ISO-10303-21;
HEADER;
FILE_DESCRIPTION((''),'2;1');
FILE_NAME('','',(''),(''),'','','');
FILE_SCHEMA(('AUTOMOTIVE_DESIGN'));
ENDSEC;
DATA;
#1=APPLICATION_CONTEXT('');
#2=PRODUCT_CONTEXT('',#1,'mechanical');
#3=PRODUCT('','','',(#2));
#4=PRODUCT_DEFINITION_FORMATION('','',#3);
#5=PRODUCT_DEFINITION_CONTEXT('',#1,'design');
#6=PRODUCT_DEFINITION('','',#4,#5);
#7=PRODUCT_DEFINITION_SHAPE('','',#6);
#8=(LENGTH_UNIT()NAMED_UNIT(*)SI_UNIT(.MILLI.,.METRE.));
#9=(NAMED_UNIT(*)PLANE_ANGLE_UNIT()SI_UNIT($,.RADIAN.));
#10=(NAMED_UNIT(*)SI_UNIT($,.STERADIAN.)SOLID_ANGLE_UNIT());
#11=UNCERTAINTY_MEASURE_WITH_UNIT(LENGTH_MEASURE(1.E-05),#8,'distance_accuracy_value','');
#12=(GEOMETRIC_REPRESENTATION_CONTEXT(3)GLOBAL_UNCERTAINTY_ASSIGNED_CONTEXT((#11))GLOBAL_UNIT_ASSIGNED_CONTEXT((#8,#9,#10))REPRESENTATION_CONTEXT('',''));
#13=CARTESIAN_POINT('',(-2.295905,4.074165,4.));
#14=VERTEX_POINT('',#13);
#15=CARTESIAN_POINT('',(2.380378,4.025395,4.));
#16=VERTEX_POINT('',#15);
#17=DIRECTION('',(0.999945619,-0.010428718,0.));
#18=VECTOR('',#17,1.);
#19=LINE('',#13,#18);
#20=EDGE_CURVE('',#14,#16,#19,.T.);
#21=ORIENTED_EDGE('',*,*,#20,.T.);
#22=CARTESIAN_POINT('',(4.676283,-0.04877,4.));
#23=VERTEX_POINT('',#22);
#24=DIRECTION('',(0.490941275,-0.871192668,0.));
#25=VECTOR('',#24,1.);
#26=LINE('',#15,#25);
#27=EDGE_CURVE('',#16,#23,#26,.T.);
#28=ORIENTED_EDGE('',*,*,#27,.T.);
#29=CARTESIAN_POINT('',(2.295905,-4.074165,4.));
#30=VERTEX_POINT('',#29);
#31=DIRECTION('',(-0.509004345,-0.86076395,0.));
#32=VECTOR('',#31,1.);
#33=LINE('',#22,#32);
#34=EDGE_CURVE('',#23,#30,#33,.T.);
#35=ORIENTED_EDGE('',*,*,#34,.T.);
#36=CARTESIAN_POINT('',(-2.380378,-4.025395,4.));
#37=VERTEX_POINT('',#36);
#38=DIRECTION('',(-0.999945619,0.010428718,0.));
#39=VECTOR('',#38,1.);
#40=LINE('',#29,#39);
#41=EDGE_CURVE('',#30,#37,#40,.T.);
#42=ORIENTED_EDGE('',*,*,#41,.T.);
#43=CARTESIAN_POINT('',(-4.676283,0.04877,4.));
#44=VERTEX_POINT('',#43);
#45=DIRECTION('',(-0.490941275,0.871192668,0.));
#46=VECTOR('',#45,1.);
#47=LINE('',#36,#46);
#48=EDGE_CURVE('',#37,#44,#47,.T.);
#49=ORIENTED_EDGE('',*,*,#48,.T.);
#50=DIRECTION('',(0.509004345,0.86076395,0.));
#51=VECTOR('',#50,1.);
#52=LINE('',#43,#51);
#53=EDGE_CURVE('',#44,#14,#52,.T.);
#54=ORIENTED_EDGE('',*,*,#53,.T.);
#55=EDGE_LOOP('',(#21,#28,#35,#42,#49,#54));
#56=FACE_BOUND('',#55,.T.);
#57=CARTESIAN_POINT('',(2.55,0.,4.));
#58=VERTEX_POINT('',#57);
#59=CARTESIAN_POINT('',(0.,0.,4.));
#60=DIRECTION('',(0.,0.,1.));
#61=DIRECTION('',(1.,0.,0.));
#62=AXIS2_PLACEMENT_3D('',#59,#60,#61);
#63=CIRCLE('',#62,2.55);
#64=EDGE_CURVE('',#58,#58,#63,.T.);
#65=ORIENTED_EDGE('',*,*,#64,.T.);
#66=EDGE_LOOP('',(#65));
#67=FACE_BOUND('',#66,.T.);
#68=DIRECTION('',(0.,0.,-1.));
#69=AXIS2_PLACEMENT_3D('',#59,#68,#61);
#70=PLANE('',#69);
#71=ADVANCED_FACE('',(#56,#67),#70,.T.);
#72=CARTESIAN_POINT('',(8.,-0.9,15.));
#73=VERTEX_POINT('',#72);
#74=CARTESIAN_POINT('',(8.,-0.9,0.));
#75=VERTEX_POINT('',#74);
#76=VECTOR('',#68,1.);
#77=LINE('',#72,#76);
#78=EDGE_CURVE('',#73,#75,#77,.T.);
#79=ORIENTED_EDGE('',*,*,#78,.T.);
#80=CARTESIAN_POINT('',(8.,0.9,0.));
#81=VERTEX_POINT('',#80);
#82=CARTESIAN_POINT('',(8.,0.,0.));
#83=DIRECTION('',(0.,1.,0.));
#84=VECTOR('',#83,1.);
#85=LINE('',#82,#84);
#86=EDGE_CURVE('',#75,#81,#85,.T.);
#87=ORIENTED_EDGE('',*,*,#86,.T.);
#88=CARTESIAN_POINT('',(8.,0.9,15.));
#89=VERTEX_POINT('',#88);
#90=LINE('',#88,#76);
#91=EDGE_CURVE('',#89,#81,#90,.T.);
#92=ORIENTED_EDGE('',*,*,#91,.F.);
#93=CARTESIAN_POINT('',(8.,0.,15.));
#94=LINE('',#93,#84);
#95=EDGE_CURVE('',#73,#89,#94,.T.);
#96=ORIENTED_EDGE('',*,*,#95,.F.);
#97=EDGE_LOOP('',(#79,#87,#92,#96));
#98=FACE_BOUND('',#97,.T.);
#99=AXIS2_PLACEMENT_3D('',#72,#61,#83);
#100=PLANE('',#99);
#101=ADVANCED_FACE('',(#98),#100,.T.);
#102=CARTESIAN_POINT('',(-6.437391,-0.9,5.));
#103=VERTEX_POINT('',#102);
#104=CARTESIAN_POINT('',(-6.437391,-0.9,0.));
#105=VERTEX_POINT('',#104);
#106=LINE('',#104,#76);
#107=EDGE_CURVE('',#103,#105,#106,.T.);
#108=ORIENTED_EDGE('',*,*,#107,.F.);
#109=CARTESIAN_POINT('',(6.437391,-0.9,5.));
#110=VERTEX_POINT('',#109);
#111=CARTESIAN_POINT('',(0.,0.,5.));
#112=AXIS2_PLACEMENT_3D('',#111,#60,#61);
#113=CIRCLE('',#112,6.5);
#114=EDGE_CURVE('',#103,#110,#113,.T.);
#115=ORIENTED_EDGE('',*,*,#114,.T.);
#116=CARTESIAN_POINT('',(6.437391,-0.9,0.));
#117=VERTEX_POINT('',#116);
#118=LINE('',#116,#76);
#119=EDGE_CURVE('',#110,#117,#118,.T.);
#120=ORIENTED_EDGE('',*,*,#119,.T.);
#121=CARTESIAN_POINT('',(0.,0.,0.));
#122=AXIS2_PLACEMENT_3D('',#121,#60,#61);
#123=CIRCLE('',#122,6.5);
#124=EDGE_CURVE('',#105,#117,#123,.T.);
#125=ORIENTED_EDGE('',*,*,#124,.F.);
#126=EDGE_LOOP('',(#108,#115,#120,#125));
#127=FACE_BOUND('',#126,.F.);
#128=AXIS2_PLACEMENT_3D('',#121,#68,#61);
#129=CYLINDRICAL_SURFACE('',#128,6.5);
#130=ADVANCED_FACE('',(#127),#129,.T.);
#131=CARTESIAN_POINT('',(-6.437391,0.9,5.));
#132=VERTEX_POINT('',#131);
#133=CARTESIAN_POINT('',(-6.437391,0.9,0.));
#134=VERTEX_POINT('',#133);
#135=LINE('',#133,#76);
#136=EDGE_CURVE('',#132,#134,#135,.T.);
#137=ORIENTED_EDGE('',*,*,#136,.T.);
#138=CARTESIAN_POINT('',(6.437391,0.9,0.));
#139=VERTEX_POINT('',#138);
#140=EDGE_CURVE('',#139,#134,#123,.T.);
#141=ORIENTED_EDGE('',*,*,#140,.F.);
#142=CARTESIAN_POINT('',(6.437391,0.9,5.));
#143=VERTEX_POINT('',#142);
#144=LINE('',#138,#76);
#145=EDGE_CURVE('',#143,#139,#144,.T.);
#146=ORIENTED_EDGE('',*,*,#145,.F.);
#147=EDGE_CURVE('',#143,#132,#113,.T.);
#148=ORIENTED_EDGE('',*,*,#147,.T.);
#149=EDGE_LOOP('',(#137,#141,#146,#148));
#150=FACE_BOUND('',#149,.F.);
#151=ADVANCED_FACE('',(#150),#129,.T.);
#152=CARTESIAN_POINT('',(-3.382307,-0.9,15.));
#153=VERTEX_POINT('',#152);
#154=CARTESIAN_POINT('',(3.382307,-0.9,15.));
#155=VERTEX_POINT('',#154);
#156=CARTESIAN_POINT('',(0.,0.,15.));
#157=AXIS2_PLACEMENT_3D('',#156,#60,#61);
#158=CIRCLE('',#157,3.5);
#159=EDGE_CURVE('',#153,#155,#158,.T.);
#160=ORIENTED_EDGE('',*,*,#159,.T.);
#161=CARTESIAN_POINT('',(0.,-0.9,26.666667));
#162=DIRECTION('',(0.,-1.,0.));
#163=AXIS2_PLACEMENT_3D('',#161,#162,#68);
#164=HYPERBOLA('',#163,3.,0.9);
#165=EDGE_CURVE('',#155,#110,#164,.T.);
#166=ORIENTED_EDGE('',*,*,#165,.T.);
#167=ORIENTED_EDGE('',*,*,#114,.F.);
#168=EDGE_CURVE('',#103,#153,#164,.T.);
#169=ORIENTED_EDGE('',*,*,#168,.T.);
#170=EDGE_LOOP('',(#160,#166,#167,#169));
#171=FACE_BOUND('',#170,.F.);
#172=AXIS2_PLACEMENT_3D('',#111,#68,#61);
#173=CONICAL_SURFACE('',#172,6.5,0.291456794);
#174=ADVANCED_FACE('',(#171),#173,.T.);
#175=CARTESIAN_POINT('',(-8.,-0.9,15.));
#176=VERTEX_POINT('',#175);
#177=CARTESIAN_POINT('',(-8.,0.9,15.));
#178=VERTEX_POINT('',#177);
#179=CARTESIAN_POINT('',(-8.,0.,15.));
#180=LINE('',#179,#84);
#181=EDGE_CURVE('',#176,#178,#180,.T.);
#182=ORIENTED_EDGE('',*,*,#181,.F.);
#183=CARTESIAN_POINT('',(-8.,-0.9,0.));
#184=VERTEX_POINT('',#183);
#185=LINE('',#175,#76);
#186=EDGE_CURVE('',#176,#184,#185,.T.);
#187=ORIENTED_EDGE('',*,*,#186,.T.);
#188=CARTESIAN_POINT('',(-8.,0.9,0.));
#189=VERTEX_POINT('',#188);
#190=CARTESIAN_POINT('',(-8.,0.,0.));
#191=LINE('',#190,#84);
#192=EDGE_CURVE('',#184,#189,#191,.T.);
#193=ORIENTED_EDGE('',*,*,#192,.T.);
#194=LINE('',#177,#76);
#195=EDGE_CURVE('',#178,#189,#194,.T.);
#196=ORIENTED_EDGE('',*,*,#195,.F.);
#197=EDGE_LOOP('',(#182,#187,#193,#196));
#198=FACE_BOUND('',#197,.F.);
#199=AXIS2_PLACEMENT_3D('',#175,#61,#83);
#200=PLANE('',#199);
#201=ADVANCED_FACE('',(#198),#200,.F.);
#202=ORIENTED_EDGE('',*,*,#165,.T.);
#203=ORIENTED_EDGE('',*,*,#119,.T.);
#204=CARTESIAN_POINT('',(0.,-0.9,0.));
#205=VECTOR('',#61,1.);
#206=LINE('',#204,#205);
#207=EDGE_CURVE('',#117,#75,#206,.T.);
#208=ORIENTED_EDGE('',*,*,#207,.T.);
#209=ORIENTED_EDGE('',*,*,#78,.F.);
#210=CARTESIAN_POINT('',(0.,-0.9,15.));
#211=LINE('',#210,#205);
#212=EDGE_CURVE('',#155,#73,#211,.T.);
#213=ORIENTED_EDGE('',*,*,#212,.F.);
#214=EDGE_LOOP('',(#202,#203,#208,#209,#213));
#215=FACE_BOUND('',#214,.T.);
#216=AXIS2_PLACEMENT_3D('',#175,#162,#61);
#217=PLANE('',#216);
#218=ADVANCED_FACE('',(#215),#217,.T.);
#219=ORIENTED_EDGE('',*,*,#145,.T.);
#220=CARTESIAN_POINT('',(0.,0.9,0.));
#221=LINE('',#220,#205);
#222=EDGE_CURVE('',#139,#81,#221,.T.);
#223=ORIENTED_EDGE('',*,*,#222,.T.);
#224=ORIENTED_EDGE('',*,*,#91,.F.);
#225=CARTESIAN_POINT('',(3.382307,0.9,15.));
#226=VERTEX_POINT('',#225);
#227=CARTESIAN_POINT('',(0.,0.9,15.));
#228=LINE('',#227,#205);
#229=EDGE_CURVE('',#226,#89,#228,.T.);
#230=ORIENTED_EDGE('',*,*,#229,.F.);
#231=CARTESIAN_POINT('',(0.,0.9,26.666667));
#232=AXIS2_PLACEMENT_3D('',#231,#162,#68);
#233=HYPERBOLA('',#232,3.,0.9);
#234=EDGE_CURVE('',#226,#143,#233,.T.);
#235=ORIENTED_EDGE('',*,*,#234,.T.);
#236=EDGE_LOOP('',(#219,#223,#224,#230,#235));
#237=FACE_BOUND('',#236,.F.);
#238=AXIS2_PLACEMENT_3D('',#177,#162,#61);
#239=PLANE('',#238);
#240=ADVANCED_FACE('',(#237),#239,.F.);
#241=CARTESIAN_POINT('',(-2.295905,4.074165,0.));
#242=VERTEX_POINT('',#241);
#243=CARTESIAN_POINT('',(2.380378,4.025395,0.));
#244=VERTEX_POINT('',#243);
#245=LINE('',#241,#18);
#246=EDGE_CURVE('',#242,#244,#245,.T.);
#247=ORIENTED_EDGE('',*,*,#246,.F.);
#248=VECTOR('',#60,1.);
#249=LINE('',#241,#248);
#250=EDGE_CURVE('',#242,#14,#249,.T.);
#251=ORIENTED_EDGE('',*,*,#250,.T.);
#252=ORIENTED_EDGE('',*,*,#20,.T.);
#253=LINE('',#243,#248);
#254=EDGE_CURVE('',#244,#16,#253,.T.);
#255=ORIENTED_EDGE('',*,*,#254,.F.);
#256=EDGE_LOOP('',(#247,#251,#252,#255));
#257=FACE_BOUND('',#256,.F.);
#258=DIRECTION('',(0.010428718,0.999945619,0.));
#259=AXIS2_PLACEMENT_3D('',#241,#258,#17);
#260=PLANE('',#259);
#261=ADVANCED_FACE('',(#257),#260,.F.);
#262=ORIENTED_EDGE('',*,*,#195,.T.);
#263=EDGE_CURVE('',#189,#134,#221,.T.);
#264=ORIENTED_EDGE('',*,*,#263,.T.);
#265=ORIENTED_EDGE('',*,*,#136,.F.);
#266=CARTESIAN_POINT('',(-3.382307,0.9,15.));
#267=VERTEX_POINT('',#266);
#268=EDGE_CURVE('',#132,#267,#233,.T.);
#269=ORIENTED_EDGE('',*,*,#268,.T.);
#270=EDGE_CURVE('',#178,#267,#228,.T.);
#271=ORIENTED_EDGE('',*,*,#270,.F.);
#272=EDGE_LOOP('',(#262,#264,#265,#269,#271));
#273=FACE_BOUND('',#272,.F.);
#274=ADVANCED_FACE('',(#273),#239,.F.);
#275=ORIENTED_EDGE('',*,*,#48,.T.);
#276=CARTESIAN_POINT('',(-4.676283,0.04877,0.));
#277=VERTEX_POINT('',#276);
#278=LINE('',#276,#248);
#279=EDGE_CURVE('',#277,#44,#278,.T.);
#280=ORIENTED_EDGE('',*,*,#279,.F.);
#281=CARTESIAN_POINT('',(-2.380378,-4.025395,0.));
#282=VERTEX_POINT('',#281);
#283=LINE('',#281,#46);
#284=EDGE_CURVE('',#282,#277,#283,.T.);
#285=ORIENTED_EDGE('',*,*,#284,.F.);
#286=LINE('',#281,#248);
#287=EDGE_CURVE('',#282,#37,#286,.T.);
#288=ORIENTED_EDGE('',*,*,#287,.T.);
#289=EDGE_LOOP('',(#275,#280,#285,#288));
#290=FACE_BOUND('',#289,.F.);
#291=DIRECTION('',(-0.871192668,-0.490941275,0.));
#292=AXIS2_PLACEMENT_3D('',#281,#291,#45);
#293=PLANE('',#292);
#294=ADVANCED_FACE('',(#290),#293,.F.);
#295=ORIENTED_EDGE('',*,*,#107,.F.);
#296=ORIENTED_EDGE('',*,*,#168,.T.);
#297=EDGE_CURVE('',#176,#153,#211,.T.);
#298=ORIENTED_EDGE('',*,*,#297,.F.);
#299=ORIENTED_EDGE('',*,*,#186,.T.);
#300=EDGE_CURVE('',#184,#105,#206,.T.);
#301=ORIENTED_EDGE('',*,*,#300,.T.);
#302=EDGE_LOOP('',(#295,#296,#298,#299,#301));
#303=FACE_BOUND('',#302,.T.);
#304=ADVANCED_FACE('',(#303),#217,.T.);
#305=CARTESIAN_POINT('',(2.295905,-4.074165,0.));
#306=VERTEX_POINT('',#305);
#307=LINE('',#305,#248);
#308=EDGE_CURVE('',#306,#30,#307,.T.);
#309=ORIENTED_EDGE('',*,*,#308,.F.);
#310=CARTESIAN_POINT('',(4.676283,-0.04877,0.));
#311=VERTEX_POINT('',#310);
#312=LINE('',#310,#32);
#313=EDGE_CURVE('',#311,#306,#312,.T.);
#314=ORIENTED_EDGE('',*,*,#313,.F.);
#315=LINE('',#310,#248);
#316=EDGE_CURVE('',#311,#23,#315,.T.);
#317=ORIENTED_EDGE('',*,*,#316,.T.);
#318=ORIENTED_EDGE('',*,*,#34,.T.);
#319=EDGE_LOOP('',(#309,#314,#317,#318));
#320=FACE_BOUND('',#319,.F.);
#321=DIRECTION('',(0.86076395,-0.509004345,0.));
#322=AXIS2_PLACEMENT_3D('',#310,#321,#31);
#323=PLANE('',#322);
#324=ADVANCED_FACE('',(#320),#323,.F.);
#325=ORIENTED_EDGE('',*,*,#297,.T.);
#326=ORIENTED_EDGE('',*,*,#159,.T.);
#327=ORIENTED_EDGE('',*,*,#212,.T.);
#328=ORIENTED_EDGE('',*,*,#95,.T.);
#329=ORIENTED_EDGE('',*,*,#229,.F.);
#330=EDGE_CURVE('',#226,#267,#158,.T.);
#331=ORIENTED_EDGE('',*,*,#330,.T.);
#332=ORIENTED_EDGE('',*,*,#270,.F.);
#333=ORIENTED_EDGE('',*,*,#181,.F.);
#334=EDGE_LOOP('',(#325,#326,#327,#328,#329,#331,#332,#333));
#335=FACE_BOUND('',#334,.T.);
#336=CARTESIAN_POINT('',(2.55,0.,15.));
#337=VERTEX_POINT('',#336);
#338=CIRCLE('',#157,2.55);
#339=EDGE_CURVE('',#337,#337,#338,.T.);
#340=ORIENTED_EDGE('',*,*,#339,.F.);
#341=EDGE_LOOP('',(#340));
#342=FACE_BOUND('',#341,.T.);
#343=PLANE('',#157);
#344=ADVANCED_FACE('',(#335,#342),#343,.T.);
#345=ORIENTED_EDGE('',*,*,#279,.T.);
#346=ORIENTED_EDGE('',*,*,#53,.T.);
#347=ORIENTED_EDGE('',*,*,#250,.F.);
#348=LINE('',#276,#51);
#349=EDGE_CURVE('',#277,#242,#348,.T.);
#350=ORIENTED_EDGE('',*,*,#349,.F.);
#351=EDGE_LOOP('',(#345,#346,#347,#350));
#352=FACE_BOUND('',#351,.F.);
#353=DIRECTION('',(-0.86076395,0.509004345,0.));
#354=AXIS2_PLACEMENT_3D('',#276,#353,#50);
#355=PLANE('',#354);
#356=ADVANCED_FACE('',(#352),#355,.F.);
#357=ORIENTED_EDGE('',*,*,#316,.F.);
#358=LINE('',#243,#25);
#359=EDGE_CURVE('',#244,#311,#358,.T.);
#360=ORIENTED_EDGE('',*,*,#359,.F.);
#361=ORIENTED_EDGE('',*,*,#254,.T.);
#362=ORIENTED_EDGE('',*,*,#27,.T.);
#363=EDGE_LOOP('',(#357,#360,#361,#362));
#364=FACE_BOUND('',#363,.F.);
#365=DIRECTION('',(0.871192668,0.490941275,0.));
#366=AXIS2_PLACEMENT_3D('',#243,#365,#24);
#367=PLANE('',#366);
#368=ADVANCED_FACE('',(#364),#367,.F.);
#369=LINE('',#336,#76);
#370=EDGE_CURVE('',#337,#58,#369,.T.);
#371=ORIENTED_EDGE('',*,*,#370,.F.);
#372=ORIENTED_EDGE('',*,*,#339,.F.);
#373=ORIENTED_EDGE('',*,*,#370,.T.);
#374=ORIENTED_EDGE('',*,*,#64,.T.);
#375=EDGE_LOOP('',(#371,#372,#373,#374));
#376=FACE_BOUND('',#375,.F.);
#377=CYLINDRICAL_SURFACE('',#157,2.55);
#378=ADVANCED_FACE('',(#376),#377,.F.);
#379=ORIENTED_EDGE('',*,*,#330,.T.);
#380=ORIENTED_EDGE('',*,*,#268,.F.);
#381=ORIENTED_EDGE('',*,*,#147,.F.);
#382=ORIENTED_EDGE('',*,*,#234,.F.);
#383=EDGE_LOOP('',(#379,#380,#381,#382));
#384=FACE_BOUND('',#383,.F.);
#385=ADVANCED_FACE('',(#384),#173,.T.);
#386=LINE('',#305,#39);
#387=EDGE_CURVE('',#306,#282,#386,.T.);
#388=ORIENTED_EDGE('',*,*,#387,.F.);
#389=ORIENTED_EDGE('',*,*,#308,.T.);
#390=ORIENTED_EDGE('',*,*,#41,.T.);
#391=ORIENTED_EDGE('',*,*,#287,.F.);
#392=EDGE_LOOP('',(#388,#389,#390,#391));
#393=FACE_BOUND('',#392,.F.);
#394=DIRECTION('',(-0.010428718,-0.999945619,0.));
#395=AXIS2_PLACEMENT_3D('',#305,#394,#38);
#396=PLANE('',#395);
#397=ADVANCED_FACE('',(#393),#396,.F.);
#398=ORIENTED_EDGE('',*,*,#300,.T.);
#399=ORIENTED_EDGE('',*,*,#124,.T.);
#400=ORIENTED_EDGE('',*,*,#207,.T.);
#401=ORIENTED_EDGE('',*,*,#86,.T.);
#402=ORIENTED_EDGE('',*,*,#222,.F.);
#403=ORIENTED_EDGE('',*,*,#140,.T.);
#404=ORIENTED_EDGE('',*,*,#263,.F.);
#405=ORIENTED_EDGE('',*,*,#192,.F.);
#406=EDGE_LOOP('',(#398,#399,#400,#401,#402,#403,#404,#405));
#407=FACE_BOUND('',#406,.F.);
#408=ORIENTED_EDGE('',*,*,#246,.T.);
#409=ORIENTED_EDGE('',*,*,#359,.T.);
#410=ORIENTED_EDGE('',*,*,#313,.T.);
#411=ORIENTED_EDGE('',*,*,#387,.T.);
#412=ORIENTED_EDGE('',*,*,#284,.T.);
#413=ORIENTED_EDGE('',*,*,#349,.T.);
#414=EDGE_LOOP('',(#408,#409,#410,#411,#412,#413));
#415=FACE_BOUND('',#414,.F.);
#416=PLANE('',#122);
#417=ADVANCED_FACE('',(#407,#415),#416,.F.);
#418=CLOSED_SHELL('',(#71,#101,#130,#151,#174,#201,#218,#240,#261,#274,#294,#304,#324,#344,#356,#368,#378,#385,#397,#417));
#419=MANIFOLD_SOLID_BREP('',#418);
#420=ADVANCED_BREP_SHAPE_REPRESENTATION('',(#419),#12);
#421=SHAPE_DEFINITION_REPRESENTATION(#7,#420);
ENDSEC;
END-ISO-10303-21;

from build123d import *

# Parameters (mm, degrees)
F0_R     = 6.5
F1_DEPTH = 15
F2_SIZE2 = 10
F2_SIZE  = 3
F3_W     = 16
F3_H     = 1.8
F4_DEPTH = 15
F6_DEPTH = 4
F7_R     = 2.55
F8_DEPTH = 25


with BuildPart() as f1:
    # F0 (on Top) → F1 (new body)
    with BuildSketch(Plane.XY):
        Circle(F0_R)
    extrude(amount=F1_DEPTH)

    # F2
    f2_edges = [f1.edges().sort_by_distance(p)[0] for p in [
        (-6.5, 0, 15),
    ]]
    f2_side = f1.faces().sort_by_distance((0, 0, 15))[0]
    chamfer(f2_edges, length=F2_SIZE, length2=F2_SIZE2, reference=f2_side)

    # F3 (on face) → F4 (join)
    with BuildSketch(Plane.XY.offset(15)):
        Rectangle(F3_W, F3_H)
    extrude(amount=-F4_DEPTH)

    # F5 (on face) → F6 (cut)
    with BuildSketch(Plane(origin=(0, 0, 0), x_dir=(1, 0, 0), z_dir=(0, 0, -1))):
        Polygon((2.3803777429, -4.0253946143), (4.6762828677, 0.0487702888), (2.2959051248, 4.0741649031), (-2.3803777429, 4.0253946143), (-4.6762828677, -0.0487702888), (-2.2959051248, -4.0741649031), align=None)
    extrude(amount=-F6_DEPTH, mode=Mode.SUBTRACT)

    # F7 (on face) → F8 (cut)
    with BuildSketch(Plane.XY.offset(15)):
        Circle(F7_R)
    extrude(amount=-F8_DEPTH, mode=Mode.SUBTRACT)


solid = f1.part
